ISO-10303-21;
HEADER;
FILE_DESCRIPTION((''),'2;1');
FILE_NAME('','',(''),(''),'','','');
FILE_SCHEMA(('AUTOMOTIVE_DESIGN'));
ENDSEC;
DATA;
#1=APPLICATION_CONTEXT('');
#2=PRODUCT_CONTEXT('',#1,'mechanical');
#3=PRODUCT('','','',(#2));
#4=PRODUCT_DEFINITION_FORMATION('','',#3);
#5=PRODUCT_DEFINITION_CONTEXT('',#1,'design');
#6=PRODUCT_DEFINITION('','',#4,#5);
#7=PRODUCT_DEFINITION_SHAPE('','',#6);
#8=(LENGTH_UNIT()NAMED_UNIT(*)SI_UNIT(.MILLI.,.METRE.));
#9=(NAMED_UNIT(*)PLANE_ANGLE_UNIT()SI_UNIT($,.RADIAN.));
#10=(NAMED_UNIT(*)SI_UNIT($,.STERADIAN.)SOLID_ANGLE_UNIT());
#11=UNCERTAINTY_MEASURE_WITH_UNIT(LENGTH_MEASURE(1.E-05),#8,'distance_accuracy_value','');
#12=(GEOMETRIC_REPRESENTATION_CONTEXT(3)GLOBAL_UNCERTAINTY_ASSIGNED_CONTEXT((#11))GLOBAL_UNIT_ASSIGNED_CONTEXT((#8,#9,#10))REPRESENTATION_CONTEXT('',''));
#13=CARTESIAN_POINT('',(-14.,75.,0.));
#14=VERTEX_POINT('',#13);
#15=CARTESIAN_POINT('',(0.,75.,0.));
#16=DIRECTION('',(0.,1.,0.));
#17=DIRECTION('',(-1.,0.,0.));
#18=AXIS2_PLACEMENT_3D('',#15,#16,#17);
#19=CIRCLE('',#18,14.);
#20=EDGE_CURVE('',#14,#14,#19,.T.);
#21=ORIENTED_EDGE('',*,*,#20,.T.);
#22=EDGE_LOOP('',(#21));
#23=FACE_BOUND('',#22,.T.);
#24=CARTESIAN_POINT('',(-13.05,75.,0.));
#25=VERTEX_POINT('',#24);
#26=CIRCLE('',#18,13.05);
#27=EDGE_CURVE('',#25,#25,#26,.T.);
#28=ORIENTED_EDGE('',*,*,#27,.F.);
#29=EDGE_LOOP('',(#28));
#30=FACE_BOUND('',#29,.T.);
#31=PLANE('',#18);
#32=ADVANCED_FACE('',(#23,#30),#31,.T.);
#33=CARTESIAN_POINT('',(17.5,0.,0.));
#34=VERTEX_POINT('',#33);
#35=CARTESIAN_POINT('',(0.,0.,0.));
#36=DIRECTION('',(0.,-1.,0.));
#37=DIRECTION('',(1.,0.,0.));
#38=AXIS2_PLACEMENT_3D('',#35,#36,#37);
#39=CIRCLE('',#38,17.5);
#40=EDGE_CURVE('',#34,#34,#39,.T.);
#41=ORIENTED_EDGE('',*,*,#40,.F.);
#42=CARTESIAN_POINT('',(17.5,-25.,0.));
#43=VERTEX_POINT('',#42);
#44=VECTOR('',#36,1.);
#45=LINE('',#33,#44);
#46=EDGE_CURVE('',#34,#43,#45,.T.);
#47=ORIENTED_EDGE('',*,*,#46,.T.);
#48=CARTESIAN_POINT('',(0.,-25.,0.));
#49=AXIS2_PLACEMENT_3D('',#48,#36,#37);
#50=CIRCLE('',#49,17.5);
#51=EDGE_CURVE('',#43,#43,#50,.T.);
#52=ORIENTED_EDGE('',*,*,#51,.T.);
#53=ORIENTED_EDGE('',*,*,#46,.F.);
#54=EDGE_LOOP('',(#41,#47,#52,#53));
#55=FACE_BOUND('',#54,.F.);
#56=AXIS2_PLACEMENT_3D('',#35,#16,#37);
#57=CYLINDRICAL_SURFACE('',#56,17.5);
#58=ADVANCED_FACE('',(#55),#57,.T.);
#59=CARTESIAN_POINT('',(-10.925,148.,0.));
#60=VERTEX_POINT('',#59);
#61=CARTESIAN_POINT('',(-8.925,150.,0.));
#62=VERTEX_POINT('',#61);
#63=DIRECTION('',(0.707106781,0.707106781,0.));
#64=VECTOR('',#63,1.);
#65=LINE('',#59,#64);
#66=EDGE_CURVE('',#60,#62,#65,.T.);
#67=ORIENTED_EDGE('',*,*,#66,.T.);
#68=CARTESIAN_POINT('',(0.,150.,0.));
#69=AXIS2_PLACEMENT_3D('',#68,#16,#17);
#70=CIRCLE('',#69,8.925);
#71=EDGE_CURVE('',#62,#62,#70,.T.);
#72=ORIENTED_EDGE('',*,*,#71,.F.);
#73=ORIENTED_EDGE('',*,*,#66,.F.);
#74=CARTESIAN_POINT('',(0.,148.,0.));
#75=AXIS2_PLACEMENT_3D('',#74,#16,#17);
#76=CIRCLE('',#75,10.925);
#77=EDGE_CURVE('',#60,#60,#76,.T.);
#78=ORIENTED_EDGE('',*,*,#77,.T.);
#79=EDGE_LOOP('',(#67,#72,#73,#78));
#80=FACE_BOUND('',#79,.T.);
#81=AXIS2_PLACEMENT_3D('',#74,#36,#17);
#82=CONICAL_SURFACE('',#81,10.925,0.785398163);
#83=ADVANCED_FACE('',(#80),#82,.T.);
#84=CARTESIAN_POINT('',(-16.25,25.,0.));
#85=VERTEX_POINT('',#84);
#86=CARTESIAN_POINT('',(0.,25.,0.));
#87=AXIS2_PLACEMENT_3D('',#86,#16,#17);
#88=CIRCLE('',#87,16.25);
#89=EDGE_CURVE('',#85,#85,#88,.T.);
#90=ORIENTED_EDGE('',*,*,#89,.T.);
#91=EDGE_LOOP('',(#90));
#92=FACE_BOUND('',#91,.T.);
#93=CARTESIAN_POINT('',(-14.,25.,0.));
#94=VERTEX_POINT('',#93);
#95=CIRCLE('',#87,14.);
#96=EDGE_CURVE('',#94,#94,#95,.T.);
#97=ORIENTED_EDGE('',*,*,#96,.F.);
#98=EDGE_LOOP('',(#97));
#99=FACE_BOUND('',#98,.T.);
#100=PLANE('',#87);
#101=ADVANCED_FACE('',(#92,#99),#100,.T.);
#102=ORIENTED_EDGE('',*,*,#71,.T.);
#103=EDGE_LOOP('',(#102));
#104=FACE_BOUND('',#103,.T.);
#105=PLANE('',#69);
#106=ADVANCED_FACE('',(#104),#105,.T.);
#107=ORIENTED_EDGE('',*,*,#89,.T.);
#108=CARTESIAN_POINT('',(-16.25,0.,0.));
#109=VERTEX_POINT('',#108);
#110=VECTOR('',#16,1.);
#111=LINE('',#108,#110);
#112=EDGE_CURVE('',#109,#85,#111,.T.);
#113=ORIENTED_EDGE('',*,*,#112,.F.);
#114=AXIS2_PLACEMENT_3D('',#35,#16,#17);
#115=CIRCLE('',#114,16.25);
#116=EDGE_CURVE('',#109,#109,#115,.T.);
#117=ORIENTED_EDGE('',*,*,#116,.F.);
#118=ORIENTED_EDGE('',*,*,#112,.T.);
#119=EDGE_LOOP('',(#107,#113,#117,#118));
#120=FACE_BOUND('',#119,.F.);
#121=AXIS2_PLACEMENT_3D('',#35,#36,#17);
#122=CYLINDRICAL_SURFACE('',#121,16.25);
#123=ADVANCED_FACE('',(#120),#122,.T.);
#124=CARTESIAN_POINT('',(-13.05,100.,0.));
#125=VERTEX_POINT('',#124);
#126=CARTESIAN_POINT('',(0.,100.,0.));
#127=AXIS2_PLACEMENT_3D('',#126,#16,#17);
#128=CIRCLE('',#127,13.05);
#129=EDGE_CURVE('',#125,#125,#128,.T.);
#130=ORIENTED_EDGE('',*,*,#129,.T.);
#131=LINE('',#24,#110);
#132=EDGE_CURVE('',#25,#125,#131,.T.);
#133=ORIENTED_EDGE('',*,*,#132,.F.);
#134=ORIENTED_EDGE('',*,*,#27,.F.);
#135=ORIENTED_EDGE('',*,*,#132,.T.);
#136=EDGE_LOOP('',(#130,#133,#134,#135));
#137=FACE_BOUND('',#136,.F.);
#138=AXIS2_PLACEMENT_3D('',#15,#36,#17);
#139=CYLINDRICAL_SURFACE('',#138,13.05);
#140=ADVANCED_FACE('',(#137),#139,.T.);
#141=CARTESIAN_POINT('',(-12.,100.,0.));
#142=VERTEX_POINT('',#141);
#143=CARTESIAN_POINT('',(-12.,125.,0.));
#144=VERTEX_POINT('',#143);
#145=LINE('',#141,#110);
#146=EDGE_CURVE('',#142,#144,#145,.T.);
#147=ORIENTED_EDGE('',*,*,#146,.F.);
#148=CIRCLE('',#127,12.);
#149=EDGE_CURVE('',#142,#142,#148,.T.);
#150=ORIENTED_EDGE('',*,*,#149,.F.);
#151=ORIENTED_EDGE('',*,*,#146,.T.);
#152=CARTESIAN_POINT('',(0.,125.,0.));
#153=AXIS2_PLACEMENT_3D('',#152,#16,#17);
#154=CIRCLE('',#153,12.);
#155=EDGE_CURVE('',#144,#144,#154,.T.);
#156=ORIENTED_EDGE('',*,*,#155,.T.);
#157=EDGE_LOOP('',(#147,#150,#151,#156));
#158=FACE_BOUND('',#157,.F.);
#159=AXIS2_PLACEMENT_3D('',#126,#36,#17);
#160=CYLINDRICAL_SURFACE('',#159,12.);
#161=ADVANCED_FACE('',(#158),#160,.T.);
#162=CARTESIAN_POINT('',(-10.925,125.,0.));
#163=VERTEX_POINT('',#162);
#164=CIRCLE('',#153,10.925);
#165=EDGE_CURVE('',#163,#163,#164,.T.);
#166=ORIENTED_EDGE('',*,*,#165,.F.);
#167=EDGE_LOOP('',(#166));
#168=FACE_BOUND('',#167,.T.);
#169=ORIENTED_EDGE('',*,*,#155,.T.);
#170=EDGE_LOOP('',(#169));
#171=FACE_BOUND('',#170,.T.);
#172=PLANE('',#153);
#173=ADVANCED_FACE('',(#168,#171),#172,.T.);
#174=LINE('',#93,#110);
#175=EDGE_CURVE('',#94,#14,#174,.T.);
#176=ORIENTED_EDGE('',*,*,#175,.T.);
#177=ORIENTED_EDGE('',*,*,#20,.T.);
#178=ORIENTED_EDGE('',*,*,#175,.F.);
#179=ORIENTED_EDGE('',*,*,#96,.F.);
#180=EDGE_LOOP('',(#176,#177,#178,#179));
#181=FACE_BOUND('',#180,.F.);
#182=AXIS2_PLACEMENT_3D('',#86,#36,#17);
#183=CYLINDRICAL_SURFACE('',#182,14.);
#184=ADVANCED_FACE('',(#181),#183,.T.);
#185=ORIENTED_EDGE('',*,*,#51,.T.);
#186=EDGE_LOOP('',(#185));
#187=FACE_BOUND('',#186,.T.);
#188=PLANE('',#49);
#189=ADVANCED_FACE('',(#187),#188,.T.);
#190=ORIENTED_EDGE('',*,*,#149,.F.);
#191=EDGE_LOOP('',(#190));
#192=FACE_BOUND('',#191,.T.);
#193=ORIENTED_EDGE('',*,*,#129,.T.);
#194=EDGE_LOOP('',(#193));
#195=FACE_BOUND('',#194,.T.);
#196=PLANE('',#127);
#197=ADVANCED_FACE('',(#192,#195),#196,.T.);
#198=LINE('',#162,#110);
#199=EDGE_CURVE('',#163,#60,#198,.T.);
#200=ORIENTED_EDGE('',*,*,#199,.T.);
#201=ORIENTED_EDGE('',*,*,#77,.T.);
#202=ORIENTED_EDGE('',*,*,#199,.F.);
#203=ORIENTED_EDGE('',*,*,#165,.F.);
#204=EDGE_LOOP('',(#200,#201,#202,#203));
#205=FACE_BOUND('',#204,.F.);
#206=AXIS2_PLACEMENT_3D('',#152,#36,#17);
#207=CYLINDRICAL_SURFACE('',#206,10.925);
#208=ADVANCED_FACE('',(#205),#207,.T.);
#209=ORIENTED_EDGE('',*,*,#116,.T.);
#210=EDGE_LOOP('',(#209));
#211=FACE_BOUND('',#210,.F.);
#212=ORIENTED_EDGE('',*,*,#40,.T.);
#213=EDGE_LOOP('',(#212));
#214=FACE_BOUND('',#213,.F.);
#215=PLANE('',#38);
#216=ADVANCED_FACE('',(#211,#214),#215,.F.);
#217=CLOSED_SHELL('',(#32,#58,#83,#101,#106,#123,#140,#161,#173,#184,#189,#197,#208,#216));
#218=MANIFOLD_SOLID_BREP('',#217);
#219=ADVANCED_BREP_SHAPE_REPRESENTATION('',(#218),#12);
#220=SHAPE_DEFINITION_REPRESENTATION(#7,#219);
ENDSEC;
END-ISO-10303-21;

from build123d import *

# Parameters (mm, degrees)
F0_R      = 17.5
F1_DEPTH  = 25
F2_R      = 16.25
F3_DEPTH  = 25
F4_R      = 14
F5_DEPTH  = 50
F6_R      = 13.05
F7_DEPTH  = 25
F8_R      = 12
F9_DEPTH  = 25
F10_R     = 10.925
F11_DEPTH = 25
F12_SIZE  = 2


with BuildPart() as f1:
    # F0 (on Front) → F1 (new body)
    with BuildSketch(Plane.XZ):
        Circle(F0_R)
    extrude(amount=F1_DEPTH)

    # F2 (on face) → F3 (join)
    with BuildSketch(Plane(origin=(0, 0, 0), x_dir=(-1, 0, 0), z_dir=(0, 1, 0))):
        Circle(F2_R)
    extrude(amount=F3_DEPTH)

    # F4 (on face) → F5 (join)
    with BuildSketch(Plane(origin=(0, 25, 0), x_dir=(-1, 0, 0), z_dir=(0, 1, 0))):
        Circle(F4_R)
    extrude(amount=F5_DEPTH)

    # F6 (on face) → F7 (join)
    with BuildSketch(Plane(origin=(0, 75, 0), x_dir=(-1, 0, 0), z_dir=(0, 1, 0))):
        Circle(F6_R)
    extrude(amount=F7_DEPTH)

    # F8 (on face) → F9 (join)
    with BuildSketch(Plane(origin=(0, 100, 0), x_dir=(-1, 0, 0), z_dir=(0, 1, 0))):
        Circle(F8_R)
    extrude(amount=F9_DEPTH)

    # F10 (on face) → F11 (join)
    with BuildSketch(Plane(origin=(0, 125, 0), x_dir=(-1, 0, 0), z_dir=(0, 1, 0))):
        Circle(F10_R)
    extrude(amount=F11_DEPTH)

    # F12
    f12_edges = [f1.edges().sort_by_distance(p)[0] for p in [
        (10.925, 150, 0),
    ]]
    chamfer(f12_edges, length=F12_SIZE)


solid = f1.part
